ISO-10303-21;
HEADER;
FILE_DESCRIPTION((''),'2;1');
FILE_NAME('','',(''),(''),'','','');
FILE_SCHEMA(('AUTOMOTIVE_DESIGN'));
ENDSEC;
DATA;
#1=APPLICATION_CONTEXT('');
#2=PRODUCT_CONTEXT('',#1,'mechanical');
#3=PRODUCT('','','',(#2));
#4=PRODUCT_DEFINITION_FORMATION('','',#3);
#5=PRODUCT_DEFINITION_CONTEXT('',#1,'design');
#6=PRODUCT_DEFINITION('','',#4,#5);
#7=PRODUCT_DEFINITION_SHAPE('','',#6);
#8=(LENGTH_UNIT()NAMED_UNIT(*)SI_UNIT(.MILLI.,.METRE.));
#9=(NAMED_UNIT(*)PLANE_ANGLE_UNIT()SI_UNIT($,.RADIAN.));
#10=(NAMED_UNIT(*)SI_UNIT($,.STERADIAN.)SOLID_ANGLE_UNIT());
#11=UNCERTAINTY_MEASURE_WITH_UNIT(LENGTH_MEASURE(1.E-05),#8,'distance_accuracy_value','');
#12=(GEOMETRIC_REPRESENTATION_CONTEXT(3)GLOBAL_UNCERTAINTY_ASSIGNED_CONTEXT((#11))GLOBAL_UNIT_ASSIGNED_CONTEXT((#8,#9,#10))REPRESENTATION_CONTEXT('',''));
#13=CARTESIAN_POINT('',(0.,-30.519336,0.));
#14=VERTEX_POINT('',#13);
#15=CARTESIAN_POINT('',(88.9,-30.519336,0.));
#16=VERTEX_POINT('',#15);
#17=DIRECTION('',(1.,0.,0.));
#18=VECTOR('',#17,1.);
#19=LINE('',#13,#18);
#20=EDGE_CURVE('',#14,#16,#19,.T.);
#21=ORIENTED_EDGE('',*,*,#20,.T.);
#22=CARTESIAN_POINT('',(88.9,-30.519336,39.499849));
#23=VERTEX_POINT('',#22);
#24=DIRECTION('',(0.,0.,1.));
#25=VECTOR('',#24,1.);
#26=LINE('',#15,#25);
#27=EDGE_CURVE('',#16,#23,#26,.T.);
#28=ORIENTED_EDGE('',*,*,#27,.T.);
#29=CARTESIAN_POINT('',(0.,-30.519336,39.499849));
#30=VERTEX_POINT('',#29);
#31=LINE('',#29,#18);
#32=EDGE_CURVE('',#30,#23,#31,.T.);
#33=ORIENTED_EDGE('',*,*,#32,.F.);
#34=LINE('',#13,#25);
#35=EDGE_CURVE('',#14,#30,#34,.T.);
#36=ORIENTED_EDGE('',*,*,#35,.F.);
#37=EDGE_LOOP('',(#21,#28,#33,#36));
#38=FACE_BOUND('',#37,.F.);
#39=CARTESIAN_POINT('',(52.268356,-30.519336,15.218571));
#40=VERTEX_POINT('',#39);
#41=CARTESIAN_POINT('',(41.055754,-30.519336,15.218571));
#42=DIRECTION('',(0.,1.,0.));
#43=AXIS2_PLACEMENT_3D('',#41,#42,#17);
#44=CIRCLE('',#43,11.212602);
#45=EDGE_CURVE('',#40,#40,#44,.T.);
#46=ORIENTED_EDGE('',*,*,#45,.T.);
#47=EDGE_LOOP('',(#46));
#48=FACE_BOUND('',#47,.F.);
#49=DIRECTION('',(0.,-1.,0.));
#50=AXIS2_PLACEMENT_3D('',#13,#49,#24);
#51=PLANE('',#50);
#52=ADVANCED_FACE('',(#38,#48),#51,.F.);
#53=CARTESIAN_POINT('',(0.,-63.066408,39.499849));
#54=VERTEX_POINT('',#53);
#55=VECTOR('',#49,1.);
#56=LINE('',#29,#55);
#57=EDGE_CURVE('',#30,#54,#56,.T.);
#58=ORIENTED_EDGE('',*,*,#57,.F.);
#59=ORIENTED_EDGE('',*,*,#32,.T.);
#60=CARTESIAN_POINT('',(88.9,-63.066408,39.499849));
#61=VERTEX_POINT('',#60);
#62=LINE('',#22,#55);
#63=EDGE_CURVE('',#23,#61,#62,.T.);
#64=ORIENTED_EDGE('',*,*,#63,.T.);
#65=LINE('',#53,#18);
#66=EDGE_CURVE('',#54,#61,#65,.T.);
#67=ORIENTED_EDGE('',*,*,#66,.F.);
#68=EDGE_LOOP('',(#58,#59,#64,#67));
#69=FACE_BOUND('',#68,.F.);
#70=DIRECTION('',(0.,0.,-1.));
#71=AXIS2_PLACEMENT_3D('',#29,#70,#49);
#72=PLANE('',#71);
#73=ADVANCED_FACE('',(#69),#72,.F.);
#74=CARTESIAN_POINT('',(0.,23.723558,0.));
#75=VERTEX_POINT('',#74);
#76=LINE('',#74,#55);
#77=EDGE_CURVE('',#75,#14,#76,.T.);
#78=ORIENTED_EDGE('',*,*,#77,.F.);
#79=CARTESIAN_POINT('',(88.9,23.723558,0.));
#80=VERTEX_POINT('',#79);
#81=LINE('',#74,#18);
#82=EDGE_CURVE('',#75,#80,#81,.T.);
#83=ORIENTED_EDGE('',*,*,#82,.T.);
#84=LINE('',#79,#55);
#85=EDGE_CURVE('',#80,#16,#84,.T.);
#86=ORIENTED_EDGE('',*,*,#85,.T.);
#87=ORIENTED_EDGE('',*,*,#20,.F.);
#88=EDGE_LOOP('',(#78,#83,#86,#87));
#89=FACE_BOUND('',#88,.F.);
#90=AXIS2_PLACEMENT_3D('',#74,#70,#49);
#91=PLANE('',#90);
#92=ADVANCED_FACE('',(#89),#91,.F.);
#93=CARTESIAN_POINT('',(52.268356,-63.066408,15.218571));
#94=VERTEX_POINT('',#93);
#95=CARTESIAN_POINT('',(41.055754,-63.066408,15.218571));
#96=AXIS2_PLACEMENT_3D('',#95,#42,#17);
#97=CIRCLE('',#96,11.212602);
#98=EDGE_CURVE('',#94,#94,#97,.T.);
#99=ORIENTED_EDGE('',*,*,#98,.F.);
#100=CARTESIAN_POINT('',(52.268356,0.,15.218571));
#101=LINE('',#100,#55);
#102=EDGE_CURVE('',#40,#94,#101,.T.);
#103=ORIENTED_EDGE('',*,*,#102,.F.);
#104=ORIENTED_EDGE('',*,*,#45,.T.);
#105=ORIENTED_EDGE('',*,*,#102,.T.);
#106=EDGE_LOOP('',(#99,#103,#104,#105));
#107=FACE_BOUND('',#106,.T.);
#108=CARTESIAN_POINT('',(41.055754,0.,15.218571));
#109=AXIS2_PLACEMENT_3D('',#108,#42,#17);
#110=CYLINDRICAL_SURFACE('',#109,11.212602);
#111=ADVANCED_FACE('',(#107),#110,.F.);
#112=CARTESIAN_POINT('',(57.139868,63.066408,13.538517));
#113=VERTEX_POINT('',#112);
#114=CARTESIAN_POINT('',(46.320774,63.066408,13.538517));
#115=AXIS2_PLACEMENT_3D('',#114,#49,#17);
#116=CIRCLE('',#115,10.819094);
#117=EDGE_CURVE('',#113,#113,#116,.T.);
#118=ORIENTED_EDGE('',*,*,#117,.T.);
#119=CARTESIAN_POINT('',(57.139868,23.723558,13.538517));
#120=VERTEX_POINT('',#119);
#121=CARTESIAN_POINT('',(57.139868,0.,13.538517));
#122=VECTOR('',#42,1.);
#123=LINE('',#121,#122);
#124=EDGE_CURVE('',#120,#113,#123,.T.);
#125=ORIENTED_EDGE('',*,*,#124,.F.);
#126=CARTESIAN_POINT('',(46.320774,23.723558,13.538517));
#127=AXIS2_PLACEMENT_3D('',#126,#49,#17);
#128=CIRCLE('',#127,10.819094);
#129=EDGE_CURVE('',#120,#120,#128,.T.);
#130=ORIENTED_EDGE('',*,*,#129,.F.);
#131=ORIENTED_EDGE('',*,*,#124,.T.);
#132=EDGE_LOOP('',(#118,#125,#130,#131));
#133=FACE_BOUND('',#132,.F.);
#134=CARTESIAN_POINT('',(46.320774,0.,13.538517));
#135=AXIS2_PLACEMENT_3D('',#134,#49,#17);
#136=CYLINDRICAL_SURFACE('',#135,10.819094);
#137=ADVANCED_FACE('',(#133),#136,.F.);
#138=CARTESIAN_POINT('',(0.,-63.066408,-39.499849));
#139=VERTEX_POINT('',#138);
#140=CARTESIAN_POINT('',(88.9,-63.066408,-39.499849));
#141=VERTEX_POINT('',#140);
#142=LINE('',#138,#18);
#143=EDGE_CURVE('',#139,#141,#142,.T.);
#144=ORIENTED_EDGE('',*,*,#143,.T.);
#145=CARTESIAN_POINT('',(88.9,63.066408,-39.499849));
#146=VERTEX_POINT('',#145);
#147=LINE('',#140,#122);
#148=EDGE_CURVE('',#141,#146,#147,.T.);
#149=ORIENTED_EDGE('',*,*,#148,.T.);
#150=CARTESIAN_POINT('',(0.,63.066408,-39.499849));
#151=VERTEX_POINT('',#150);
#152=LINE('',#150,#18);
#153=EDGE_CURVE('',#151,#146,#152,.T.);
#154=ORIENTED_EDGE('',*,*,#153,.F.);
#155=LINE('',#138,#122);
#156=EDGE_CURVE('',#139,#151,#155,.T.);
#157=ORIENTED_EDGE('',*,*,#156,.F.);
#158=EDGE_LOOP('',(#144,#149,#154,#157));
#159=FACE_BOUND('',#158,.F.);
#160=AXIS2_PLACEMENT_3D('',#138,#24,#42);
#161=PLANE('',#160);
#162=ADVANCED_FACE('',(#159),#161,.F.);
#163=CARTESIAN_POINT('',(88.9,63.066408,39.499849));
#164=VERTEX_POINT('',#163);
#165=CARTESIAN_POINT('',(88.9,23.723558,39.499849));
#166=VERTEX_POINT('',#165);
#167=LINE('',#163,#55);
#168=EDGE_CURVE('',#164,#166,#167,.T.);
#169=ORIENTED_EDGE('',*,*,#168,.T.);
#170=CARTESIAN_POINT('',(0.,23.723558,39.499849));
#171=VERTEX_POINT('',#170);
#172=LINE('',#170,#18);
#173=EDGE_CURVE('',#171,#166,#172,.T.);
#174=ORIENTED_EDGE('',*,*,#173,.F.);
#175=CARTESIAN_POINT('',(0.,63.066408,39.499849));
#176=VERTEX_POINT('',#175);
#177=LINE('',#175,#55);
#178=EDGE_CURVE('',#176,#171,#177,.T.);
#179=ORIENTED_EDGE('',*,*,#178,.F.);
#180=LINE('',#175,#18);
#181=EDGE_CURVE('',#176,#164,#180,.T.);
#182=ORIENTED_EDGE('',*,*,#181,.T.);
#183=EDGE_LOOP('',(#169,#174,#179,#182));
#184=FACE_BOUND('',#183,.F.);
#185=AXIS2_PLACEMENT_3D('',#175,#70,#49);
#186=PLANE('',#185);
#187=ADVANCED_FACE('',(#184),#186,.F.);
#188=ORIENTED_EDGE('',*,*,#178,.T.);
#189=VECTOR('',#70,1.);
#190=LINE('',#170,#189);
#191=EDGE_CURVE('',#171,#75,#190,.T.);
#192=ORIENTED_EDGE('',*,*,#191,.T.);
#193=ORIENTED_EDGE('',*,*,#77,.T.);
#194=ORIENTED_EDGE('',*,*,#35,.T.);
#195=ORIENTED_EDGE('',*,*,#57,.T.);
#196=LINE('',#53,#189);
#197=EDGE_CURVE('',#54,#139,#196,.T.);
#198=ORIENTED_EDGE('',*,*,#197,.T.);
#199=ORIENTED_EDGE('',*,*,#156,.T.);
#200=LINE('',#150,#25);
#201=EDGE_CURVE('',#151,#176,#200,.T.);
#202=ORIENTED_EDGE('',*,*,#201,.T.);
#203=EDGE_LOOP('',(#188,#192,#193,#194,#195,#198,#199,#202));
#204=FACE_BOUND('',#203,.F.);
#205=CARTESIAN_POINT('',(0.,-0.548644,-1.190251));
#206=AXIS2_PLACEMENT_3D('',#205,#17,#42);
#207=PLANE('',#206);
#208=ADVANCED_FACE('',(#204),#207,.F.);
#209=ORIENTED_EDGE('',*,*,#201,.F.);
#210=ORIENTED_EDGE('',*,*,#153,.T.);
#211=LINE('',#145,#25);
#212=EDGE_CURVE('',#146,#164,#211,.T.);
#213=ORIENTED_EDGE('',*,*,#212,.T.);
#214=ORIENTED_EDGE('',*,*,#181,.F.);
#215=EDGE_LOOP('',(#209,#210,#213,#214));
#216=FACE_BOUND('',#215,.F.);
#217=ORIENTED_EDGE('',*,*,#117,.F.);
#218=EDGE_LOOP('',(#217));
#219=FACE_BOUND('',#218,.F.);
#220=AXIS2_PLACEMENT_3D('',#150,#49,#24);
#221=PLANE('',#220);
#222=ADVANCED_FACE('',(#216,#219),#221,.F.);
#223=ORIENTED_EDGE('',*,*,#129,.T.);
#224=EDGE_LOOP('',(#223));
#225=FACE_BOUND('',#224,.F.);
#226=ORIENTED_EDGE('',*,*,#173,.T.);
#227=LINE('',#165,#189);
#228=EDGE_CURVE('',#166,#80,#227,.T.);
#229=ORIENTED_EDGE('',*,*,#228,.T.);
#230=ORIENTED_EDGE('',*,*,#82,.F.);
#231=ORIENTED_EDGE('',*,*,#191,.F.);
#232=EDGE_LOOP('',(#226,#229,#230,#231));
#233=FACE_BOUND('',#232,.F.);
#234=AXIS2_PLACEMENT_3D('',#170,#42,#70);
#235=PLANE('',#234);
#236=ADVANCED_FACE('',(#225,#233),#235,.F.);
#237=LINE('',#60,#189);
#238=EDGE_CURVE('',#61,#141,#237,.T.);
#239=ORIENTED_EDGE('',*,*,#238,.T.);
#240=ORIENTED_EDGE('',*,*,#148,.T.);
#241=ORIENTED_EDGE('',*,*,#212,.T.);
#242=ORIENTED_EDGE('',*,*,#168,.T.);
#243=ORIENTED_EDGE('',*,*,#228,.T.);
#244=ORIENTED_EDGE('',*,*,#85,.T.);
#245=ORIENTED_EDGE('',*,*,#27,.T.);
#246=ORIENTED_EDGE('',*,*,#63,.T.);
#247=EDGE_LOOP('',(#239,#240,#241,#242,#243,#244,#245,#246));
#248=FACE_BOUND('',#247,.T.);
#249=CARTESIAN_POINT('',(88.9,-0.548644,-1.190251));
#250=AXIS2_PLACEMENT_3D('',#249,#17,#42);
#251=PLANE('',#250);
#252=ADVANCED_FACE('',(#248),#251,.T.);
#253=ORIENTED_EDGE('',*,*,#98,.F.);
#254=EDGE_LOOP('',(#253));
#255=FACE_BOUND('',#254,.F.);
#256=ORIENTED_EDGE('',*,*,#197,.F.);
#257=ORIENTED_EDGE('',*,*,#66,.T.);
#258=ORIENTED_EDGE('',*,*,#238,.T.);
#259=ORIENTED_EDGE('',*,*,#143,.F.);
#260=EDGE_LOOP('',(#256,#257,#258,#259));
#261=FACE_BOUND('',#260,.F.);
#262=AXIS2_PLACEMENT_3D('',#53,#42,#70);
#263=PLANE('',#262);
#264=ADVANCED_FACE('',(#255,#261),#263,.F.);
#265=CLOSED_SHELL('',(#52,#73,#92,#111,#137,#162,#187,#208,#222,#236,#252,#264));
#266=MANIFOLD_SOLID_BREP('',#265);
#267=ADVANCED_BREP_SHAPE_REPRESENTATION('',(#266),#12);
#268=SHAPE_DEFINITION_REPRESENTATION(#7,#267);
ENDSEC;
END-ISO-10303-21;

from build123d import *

# Parameters (mm, degrees)
F1_DEPTH = 88.9
F2_R     = 11.212602
F3_DEPTH = 76.2
F4_R     = 10.819094
F5_DEPTH = 76.2


with BuildPart() as f1:
    # F0 (on Right) → F1 (new body)
    with BuildSketch(Plane.YZ):
        Polygon((63.066408, -39.499849), (63.066408, 39.499849), (23.723558, 39.499849), (23.723558, 0), (-30.519336, 0), (-30.519336, 39.499849), (-63.066408, 39.499849), (-63.066408, -39.499849), align=None)
    extrude(amount=F1_DEPTH)

    # F2 (on Front) → F3 (cut)
    with BuildSketch(Plane.XZ):
        with Locations((41.055754, 15.218571)):
            Circle(F2_R)
    extrude(amount=F3_DEPTH, mode=Mode.SUBTRACT)

    # F4 (on Front) → F5 (cut)
    with BuildSketch(Plane.XZ):
        with Locations((46.320774, 13.538517)):
            Circle(F4_R)
    extrude(amount=-F5_DEPTH, mode=Mode.SUBTRACT)


solid = f1.part
